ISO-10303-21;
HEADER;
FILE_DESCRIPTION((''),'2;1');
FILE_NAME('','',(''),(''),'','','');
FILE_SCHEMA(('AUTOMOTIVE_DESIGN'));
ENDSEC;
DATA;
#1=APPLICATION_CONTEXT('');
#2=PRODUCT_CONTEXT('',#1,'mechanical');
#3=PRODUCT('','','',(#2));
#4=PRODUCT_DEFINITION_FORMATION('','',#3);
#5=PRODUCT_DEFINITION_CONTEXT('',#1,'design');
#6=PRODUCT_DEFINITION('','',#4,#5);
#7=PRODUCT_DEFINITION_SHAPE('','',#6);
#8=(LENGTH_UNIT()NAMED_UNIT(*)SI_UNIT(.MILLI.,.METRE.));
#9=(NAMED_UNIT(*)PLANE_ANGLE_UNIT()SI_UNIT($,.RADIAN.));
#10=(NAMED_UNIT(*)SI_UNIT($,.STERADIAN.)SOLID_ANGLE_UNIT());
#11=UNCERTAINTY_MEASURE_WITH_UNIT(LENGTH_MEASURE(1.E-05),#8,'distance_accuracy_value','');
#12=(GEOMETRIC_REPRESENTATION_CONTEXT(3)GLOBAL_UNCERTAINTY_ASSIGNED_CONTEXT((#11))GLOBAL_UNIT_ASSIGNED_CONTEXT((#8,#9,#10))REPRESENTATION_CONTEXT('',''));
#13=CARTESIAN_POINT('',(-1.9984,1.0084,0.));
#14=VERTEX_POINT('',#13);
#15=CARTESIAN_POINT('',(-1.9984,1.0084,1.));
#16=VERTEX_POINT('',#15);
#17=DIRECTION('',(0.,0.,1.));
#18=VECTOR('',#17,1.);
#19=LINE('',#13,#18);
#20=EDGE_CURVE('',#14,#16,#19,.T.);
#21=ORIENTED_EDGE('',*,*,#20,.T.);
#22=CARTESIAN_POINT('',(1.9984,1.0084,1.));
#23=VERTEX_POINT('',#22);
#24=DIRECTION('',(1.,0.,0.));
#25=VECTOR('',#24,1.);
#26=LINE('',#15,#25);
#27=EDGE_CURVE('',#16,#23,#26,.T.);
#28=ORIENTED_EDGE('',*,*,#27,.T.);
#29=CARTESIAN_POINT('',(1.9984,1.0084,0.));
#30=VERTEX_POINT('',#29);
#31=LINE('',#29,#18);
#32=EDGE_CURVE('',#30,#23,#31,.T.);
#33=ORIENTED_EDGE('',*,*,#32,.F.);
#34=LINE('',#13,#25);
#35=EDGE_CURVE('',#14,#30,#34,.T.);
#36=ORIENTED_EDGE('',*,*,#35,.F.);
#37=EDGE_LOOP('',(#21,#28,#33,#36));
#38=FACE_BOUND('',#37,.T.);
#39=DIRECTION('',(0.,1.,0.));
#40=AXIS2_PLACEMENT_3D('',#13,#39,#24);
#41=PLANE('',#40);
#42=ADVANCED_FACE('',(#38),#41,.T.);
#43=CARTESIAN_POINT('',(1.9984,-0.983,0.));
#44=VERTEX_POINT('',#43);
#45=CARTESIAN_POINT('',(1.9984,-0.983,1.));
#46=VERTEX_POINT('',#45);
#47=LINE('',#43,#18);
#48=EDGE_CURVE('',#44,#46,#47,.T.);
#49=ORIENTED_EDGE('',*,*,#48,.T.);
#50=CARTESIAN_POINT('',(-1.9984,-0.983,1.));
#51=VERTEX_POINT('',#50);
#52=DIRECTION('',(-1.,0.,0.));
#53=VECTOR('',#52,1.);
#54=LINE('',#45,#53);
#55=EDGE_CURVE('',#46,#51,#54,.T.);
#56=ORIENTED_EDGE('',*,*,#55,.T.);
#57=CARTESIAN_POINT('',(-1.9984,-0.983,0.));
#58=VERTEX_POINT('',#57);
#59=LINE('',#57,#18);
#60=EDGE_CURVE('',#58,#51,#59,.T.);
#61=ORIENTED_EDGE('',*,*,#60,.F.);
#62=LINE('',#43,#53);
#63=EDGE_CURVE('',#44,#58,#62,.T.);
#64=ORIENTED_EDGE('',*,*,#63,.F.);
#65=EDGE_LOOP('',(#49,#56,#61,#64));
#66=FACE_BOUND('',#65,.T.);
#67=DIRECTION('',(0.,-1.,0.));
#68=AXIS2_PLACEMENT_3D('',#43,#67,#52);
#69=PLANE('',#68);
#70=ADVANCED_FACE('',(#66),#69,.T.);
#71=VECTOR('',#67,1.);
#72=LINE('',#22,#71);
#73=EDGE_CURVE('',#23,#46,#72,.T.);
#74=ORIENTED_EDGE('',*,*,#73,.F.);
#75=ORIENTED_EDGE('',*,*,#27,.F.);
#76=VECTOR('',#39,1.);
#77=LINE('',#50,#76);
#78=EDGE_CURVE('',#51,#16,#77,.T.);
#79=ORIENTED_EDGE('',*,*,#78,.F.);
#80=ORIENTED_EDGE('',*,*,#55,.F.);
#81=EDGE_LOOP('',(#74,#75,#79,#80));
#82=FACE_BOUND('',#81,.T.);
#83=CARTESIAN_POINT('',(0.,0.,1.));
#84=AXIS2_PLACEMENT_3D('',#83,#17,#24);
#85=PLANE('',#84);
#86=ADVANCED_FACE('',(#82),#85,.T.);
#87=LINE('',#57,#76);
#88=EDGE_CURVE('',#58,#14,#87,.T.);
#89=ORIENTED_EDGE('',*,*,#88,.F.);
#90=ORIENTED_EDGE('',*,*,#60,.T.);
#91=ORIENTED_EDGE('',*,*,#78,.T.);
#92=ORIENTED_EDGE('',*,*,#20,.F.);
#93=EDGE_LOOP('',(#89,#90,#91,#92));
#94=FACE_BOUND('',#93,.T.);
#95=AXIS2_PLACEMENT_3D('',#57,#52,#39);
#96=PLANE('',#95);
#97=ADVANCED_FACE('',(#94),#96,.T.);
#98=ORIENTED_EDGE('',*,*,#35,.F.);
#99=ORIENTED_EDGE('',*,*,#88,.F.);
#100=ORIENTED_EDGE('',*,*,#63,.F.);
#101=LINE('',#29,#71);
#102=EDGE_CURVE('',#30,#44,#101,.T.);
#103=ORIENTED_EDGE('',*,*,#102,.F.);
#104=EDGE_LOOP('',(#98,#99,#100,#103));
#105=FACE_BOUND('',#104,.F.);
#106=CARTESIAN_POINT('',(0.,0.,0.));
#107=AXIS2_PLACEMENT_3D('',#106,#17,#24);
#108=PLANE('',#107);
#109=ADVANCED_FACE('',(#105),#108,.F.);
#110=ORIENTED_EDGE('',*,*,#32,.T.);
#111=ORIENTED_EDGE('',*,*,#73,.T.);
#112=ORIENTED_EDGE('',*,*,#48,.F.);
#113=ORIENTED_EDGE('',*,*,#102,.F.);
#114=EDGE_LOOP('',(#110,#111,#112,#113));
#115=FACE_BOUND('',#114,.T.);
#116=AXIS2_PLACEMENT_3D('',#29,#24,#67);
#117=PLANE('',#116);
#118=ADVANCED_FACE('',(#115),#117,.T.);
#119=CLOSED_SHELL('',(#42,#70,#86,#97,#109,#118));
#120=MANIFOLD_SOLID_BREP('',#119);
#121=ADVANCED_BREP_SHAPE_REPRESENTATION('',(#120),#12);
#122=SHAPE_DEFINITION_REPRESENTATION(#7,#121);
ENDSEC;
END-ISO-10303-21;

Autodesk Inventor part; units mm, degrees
ref_plane "YZ Plane" through (0, 0, 0) normal (1, 0, 0) x (0, 1, 0)
ref_plane "XZ Plane" through (0, 0, 0) normal (0, 1, 0) x (-1, 0, 0)
ref_plane "XY Plane" through (0, 0, 0) normal (0, 0, 1) x (1, 0, 0)
sketch "C0805, 47UF_1" plane through (0, 0, 0) normal (0, 0, 1) x (1, 0, 0)
  line L0 (-1.9984, 1.0084) -> (1.9984, 1.0084)
  line L1 (1.9984, 1.0084) -> (1.9984, -0.983)
  line L2 (1.9984, -0.983) -> (-1.9984, -0.983)
  line L3 (-1.9984, -0.983) -> (-1.9984, 1.0084)
extrude "Extrusion1" add sketch "C0805, 47UF_1" along normal blind 1
properties part number "47UF"
